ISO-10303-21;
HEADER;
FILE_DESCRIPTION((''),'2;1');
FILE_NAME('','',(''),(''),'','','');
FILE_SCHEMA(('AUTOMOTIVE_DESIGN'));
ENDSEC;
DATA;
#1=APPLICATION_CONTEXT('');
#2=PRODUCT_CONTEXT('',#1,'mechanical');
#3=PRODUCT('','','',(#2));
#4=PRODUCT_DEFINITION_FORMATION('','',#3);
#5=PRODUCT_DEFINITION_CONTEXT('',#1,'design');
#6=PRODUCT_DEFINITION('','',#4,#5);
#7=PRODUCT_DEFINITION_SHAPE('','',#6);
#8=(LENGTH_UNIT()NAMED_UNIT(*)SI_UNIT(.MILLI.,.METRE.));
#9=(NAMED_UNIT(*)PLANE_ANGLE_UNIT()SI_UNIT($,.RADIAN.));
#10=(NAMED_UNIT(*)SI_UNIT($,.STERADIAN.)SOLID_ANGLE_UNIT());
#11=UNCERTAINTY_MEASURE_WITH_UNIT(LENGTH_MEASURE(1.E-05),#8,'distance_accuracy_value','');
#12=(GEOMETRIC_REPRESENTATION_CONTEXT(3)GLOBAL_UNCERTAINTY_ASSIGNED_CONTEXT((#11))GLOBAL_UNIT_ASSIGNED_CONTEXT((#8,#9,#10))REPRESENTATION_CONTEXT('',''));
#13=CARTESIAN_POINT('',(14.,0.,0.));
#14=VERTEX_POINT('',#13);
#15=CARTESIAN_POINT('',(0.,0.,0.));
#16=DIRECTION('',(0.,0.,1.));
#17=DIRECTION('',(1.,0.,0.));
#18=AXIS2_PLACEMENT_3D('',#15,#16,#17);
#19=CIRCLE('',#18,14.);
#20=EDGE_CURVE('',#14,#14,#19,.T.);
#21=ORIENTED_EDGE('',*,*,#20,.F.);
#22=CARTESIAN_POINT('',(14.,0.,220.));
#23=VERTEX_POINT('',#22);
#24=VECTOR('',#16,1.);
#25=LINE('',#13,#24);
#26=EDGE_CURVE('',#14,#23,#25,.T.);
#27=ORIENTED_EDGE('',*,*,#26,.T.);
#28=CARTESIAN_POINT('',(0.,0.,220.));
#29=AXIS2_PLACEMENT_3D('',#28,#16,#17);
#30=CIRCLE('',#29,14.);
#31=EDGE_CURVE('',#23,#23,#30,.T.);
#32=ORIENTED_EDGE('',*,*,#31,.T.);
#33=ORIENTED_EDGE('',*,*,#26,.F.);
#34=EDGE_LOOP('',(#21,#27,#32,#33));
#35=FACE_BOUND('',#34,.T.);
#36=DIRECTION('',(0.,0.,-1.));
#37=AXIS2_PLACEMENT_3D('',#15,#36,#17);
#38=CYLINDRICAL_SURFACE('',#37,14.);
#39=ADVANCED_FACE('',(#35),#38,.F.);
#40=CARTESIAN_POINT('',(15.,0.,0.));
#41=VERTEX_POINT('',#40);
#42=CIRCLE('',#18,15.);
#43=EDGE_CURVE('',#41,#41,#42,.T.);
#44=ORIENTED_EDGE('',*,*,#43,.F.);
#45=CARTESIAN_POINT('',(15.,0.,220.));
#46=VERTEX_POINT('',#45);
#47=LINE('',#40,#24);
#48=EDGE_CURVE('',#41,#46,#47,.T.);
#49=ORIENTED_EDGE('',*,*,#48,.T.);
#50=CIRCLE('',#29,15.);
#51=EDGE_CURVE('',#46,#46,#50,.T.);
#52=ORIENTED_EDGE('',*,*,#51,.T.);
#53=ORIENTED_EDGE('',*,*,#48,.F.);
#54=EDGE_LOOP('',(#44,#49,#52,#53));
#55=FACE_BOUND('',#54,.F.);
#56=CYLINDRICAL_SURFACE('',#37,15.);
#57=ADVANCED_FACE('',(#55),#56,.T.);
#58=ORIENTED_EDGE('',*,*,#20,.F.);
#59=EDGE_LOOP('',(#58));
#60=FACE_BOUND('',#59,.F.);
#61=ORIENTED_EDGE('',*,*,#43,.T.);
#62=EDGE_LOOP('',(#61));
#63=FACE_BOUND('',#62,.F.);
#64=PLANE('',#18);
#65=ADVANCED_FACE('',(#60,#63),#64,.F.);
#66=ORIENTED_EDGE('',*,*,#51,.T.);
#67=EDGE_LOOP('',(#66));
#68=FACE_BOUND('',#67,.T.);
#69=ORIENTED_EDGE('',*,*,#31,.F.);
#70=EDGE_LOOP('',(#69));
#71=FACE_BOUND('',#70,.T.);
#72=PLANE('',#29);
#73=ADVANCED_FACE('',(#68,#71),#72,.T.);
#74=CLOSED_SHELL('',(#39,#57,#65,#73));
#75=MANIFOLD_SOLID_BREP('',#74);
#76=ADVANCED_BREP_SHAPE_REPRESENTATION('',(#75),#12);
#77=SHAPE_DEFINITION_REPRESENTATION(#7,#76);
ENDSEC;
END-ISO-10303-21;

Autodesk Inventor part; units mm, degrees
ref_plane "YZ Plane" through (0, 0, 0) normal (1, 0, 0) x (0, 1, 0)
ref_plane "XZ Plane" through (0, 0, 0) normal (0, 1, 0) x (-1, 0, 0)
ref_plane "XY Plane" through (0, 0, 0) normal (0, 0, 1) x (1, 0, 0)
sketch "スケッチ1" plane through (0, 0, 0) normal (0, 0, 1) x (1, 0, 0)
  circle A0 centre (0, 0) radius 15
  circle A1 centre (0, 0) radius 14
  dimension "d0" = 30
  dimension "d1" = 1
extrude "押し出し1" add sketch "スケッチ1" along normal blind 220
properties part number "Φ30mm_Pipe"
